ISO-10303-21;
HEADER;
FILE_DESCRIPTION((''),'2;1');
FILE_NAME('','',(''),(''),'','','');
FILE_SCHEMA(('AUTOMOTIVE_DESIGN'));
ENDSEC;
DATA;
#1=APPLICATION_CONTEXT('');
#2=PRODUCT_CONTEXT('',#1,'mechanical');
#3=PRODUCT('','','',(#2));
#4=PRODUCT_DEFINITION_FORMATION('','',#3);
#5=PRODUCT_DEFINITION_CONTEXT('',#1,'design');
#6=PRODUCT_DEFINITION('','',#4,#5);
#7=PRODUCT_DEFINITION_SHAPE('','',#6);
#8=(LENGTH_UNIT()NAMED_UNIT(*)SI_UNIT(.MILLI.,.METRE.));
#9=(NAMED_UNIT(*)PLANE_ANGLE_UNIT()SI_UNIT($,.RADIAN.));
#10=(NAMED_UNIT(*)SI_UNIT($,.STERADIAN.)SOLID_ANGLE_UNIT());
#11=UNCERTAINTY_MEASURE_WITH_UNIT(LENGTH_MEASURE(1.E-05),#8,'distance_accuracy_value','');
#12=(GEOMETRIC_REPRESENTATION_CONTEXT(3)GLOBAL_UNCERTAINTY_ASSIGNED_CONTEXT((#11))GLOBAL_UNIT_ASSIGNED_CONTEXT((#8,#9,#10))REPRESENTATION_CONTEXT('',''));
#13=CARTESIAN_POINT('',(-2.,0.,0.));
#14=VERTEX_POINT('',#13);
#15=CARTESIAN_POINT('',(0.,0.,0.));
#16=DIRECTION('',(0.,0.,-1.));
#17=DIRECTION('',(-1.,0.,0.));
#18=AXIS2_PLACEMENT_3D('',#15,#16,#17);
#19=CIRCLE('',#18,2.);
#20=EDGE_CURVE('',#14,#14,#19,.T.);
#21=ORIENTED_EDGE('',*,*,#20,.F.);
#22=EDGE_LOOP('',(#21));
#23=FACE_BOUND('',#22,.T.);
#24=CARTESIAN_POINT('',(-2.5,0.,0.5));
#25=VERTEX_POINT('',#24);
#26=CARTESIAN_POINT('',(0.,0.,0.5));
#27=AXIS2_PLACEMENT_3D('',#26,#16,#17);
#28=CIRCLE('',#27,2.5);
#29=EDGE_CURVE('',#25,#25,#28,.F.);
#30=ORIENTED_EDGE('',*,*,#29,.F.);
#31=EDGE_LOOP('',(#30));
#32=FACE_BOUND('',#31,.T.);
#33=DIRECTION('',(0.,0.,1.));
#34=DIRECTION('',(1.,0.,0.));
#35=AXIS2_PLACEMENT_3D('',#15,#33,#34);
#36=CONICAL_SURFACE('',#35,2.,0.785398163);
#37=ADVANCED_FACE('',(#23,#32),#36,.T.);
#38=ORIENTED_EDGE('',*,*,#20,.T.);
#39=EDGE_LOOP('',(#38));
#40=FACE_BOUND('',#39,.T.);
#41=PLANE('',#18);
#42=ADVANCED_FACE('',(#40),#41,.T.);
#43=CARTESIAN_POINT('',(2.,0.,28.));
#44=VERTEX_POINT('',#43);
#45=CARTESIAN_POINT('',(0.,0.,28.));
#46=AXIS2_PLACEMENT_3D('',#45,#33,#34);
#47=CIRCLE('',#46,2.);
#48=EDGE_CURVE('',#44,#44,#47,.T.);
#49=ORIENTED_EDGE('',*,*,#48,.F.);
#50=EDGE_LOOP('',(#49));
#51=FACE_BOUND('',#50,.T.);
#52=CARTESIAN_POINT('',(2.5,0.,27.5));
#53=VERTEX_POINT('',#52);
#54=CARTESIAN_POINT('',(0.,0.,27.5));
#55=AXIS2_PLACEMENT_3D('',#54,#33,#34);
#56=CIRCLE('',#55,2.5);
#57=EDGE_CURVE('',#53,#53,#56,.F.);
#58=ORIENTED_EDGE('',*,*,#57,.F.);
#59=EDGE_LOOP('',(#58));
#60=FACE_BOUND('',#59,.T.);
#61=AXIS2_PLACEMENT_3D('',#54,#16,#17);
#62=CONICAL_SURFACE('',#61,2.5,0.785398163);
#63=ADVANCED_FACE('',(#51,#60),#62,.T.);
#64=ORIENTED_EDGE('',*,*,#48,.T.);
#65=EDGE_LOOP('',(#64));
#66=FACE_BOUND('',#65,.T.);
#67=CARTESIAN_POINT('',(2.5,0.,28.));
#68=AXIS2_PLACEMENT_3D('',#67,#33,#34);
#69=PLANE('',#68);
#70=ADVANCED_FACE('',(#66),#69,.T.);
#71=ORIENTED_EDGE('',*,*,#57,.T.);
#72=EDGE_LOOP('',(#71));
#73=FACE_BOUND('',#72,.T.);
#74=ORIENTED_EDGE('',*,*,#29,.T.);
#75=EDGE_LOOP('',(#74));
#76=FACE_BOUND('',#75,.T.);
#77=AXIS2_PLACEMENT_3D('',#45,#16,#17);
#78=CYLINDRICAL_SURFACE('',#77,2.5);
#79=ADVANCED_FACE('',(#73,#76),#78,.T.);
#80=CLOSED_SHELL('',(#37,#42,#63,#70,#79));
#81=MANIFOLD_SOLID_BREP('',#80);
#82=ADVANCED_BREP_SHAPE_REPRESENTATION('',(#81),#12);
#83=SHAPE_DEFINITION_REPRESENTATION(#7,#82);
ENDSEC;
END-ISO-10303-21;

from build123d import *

# Parameters (mm, degrees)
ESBO_O1_W     = 2.5
ESBO_O1_H     = 28
CHANFRO1_SIZE = 0.5


with BuildPart() as part:
    # Esboço1 → Revolução1 (revolve)
    with BuildSketch(Plane.XZ):
        with Locations((1.25, 14)):
            Rectangle(ESBO_O1_W, ESBO_O1_H)
    revolve(axis=Axis((0, 0, 28), (0, 0, -1)))

    # Chanfro1
    chanfro1_edges = [part.edges().sort_by_distance(p)[0] for p in [
        (-2.5, 0, 0),
        (-2.5, 0, 28),
    ]]
    chamfer(chanfro1_edges, length=CHANFRO1_SIZE)


solid = part.part
